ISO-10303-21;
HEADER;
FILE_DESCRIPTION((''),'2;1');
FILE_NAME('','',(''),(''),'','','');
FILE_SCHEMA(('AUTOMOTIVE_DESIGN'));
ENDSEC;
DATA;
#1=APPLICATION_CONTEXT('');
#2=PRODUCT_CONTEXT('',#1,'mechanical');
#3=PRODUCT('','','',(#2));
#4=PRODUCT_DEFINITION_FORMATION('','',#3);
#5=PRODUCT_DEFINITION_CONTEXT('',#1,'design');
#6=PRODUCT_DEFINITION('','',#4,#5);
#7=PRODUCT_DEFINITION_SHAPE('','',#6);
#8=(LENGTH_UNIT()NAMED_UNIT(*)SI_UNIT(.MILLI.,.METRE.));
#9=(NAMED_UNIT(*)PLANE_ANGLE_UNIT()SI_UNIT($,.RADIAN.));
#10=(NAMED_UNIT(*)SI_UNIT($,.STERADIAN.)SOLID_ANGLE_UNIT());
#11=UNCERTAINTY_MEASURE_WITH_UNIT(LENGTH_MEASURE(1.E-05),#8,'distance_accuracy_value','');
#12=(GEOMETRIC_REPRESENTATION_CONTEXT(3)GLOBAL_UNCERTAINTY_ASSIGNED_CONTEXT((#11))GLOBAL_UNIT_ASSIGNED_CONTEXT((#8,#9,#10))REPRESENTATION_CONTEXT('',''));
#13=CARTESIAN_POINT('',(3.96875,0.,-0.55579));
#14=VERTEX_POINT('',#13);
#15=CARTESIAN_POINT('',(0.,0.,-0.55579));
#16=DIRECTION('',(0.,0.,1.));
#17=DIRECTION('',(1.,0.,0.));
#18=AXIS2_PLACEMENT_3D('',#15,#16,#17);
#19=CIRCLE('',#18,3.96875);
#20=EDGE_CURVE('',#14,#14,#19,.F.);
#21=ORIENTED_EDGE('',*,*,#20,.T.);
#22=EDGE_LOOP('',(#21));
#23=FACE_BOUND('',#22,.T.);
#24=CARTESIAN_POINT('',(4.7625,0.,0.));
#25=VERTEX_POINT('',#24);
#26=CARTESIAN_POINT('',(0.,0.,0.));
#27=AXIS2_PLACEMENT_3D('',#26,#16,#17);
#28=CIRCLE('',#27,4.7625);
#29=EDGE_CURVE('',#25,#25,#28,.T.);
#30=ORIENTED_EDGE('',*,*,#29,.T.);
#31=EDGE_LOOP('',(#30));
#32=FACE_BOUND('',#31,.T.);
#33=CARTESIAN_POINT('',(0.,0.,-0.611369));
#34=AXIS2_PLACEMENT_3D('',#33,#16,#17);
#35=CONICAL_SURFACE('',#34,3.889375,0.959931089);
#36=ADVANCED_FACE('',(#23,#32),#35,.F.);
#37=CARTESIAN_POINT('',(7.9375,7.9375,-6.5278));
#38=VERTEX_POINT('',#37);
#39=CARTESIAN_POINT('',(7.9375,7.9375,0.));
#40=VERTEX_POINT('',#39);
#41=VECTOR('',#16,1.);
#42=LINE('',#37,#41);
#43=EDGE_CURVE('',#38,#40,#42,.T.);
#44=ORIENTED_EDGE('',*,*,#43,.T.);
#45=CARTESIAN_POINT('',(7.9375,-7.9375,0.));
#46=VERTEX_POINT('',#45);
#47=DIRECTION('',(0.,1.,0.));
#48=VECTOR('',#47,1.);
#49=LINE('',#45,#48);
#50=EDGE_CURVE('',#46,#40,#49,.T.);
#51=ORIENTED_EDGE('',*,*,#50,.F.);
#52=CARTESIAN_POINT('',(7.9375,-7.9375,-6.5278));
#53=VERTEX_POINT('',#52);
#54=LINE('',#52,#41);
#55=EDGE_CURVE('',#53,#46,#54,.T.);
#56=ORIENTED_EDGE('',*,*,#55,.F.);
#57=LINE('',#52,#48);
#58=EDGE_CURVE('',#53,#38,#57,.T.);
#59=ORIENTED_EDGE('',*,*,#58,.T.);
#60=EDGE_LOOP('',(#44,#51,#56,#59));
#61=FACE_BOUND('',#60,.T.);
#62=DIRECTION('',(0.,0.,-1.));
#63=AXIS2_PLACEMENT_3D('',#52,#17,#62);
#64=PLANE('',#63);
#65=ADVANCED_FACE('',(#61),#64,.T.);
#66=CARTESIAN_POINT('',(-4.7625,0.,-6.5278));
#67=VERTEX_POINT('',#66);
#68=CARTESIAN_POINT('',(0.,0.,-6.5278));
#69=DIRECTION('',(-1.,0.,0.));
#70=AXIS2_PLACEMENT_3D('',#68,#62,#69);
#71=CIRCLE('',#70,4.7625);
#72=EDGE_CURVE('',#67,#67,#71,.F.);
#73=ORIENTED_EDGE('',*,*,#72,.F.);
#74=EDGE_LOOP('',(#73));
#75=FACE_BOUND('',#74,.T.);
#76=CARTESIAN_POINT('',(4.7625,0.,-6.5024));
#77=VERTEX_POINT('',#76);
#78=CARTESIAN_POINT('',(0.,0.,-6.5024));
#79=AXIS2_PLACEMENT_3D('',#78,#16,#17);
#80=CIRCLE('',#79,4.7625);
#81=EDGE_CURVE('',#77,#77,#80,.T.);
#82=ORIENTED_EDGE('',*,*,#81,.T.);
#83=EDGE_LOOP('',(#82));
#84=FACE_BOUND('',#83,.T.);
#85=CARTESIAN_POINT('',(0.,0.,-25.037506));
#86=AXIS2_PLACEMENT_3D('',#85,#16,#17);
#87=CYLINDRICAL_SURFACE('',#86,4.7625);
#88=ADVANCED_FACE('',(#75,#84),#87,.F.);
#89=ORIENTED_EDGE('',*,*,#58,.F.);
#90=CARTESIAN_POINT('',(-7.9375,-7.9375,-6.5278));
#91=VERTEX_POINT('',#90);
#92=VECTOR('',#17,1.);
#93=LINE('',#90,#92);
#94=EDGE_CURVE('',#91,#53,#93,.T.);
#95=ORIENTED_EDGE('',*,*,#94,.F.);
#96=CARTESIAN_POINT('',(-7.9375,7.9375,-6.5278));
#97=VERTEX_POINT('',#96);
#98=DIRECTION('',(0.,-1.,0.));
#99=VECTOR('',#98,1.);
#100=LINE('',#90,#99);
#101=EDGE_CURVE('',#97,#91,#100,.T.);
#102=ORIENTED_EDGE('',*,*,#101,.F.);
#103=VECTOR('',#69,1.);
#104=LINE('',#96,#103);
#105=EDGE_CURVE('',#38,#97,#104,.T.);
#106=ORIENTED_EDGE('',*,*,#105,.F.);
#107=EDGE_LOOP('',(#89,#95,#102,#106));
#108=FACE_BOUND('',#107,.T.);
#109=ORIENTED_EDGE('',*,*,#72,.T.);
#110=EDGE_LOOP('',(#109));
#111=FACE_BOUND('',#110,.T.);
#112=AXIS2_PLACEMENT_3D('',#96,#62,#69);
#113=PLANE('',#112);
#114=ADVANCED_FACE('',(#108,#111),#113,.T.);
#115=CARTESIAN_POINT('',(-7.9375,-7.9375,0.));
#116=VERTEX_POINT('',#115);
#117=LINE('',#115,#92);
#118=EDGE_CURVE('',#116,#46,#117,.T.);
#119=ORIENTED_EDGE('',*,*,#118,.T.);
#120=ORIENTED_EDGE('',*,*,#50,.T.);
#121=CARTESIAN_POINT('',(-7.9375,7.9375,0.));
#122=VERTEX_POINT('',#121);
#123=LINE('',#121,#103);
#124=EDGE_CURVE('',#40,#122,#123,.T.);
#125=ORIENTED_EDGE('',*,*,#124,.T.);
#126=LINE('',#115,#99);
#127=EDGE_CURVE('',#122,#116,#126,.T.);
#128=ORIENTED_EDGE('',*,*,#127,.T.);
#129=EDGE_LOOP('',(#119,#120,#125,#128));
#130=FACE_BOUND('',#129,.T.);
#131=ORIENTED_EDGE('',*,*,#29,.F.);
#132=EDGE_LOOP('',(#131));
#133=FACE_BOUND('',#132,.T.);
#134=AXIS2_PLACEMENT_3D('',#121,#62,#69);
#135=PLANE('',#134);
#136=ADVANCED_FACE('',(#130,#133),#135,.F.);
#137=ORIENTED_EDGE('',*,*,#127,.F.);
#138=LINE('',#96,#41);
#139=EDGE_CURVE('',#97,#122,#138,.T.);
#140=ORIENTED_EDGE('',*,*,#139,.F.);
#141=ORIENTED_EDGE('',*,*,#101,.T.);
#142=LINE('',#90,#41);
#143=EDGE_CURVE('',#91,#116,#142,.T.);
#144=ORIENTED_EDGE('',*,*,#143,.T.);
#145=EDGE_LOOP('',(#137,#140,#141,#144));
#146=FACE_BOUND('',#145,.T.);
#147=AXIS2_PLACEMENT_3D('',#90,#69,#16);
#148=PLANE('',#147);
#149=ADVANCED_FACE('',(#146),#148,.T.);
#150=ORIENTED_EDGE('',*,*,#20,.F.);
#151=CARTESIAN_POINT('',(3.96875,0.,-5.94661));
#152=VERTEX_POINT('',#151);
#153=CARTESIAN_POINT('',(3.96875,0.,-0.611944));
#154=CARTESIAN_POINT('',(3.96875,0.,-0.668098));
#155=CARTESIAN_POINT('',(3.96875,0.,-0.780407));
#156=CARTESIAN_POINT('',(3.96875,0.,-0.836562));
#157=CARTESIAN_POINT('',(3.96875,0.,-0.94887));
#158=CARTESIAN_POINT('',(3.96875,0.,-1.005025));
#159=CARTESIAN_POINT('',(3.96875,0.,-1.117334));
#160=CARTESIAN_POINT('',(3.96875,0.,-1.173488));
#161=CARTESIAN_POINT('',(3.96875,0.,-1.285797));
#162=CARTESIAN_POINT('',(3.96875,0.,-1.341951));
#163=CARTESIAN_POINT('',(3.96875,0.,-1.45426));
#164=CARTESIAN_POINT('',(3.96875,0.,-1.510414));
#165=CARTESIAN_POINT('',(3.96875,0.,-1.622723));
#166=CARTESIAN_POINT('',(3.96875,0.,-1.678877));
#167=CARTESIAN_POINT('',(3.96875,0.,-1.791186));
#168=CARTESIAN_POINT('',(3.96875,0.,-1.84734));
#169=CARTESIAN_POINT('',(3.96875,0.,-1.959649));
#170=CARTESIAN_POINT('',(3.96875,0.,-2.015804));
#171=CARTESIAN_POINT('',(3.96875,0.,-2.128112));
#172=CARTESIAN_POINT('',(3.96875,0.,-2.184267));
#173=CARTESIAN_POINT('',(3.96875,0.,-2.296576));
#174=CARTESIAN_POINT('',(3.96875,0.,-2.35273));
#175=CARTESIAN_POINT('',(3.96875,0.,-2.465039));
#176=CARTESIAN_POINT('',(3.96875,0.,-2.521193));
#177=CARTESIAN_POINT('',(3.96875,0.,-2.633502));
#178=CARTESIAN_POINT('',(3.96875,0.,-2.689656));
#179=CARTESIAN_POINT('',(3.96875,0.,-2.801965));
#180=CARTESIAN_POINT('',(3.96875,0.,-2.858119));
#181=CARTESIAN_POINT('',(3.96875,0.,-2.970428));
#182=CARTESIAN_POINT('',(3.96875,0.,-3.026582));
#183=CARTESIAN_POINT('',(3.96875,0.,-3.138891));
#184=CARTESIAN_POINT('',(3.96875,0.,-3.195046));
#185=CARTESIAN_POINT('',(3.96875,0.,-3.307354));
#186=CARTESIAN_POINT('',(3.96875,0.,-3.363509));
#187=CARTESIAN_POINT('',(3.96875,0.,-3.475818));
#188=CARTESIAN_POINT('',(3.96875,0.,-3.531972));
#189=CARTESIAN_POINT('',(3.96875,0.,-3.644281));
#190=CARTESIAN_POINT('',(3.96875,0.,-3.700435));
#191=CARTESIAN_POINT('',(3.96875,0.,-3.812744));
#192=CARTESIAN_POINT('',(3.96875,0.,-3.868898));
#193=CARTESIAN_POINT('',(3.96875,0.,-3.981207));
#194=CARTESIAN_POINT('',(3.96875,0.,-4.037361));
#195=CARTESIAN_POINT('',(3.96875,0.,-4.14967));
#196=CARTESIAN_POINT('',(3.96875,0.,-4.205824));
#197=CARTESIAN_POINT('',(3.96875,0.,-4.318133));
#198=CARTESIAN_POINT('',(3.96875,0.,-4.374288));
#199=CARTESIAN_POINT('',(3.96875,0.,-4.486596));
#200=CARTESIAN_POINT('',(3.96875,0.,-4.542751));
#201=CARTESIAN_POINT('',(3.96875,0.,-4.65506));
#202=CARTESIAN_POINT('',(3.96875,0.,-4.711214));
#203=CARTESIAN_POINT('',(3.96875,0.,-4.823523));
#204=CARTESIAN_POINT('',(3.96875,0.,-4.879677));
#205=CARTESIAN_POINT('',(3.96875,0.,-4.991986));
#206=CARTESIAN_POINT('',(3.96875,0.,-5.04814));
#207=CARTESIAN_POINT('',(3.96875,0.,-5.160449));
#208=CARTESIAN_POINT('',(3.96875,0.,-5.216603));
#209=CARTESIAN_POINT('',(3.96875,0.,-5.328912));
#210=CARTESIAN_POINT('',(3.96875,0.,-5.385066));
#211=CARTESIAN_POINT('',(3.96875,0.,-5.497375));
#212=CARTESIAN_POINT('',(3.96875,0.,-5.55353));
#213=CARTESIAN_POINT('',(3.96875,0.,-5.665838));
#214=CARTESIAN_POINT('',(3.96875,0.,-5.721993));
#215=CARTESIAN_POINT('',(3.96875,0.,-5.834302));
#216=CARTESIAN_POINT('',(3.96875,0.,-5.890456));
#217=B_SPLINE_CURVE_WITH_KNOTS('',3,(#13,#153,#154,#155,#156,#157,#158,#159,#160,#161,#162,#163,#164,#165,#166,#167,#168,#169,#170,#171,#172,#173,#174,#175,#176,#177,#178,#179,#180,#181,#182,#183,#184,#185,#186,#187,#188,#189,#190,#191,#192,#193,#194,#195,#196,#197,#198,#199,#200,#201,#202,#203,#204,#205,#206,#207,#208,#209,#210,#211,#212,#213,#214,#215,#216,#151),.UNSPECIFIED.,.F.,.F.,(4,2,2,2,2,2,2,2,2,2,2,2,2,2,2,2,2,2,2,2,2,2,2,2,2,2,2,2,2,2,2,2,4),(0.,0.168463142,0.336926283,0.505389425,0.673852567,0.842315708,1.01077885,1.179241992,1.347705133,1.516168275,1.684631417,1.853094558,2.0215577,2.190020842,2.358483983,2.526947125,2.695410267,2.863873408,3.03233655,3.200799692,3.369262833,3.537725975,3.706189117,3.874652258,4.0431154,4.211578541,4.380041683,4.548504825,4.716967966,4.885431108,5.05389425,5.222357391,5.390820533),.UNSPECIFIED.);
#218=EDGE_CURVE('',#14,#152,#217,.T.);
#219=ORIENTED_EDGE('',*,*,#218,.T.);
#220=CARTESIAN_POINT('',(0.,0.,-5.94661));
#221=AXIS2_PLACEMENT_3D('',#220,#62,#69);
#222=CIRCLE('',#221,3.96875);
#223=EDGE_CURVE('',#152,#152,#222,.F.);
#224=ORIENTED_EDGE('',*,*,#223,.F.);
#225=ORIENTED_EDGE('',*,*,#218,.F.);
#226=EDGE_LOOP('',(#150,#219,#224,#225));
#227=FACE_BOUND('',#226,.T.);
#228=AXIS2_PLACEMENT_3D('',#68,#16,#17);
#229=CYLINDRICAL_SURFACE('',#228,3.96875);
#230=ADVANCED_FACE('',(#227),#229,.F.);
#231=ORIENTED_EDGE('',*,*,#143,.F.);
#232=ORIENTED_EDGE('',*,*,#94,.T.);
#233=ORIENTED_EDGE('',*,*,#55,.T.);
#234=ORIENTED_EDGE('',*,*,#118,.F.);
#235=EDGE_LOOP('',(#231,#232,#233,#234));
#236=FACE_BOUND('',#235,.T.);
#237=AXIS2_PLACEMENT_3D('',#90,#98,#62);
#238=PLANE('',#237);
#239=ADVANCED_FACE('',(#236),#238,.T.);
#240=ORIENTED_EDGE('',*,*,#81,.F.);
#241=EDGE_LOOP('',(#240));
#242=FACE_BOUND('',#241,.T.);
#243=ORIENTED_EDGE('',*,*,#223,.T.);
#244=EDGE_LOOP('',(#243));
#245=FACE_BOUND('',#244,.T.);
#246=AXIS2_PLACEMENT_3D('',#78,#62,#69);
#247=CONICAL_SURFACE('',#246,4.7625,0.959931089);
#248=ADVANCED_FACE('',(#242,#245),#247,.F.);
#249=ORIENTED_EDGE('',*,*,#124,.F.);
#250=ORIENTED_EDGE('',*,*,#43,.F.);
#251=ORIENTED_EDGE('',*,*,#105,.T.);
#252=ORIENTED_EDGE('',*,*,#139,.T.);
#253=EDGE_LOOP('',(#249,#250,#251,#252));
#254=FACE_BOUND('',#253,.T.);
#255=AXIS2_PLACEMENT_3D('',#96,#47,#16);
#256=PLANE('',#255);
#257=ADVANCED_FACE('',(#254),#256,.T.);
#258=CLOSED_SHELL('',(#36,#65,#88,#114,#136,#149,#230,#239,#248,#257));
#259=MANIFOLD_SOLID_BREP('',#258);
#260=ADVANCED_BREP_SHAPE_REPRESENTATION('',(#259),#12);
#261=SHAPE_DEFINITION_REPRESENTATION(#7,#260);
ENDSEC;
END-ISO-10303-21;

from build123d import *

# Parameters (mm, degrees)
BASENUT_START = -6.5278
BASENUTSKE_W  = 15.875
BASENUTSKE_H  = 15.875
BASENUTSKE_R  = 3.96875
BASENUT_DEPTH = 6.5278


with BuildPart() as part:
    # BaseNutSke → BaseNut (new body)
    with BuildSketch(Plane.XY.offset(BASENUT_START)):
        Rectangle(BASENUTSKE_W, BASENUTSKE_H)
        Circle(BASENUTSKE_R, mode=Mode.SUBTRACT)
    extrude(amount=BASENUT_DEPTH)

    # EndChamferSketch → EndChamfer (revolve, cut)
    with BuildSketch(Plane(origin=(0, 0, 0), x_dir=(0, 0, -1), z_dir=(1, 0, 0)), mode=Mode.PRIVATE) as endchamfer_sk:
        Polygon((6.5024, 4.7625), (5.891031293, 3.889375), (6.5532, 3.889375), (6.5532, 4.7625), align=None)
        Polygon((-0.0508, 4.7625), (0, 4.7625), (0.611368707, 3.889375), (-0.0508, 3.889375), align=None)
    revolve(endchamfer_sk.sketch.rotate(Axis((0, 0, -25.037505729), (0, 0, -1)), 90), axis=Axis((0, 0, -25.037505729), (0, 0, -1)), mode=Mode.SUBTRACT)


solid = part.part
